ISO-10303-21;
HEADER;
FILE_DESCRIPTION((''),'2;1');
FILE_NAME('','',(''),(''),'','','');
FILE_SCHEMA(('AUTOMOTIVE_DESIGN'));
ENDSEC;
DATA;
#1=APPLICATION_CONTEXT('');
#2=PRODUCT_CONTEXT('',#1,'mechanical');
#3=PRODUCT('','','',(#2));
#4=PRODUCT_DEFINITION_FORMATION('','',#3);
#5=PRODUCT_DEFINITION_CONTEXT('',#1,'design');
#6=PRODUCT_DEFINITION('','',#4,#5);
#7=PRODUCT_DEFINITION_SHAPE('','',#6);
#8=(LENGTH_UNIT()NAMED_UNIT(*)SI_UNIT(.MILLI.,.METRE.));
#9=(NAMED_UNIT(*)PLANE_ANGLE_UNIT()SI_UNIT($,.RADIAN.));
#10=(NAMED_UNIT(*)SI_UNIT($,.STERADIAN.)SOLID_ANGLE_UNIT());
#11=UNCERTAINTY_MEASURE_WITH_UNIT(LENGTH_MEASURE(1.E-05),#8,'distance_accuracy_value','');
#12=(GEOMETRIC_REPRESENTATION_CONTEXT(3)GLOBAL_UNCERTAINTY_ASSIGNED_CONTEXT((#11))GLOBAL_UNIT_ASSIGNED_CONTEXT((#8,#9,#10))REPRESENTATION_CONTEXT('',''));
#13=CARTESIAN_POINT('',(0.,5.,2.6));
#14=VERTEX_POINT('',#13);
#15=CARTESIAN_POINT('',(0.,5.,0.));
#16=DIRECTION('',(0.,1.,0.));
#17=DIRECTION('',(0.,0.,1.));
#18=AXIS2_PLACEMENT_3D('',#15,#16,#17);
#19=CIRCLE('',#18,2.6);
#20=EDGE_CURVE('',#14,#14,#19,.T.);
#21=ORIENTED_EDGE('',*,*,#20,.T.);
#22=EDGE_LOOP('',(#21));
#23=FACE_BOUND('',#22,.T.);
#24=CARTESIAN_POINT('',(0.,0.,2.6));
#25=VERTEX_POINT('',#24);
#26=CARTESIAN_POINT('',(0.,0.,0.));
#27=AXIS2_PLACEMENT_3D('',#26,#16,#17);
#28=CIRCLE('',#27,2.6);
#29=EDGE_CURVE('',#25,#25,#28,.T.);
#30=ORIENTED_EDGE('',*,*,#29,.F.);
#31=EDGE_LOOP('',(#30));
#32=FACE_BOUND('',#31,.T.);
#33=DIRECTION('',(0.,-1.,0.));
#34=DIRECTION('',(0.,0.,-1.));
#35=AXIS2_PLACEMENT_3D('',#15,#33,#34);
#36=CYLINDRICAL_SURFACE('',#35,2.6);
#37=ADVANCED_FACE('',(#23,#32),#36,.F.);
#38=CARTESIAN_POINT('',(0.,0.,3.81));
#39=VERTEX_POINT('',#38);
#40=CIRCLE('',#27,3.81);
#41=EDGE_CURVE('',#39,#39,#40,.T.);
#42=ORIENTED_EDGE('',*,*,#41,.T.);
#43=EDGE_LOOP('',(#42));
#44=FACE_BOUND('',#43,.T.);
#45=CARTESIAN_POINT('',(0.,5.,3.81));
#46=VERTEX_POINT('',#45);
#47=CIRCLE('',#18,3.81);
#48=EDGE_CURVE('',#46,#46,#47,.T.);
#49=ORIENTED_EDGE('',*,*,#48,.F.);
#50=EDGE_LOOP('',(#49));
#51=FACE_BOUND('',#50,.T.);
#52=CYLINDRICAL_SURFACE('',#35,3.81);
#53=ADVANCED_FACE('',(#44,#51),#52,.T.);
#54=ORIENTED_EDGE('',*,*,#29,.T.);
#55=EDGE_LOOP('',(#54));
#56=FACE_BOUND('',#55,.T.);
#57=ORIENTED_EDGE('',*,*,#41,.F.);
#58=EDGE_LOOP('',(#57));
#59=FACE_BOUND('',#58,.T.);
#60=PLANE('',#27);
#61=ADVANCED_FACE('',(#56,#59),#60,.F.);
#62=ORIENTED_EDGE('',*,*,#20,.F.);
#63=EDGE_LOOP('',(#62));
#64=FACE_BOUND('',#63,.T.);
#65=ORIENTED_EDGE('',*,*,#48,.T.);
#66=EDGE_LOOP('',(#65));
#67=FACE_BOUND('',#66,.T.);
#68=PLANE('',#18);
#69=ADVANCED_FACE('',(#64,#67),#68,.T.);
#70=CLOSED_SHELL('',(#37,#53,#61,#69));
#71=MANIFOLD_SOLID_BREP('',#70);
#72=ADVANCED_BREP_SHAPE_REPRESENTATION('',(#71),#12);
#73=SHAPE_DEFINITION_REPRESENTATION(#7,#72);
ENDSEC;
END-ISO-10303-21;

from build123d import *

# Parameters (mm, degrees)
SKETCH1_R           = 3.81
SKETCH1_R_2         = 2.6
BOSS_EXTRUDE1_DEPTH = 5


with BuildPart() as part:
    # Sketch1 → Boss-Extrude1 (new body)
    with BuildSketch(Plane(origin=(0, 0, 0), x_dir=(1, 0, 0), z_dir=(0, 1, 0))):
        Circle(SKETCH1_R)
        Circle(SKETCH1_R_2, mode=Mode.SUBTRACT)
    extrude(amount=BOSS_EXTRUDE1_DEPTH)


solid = part.part
